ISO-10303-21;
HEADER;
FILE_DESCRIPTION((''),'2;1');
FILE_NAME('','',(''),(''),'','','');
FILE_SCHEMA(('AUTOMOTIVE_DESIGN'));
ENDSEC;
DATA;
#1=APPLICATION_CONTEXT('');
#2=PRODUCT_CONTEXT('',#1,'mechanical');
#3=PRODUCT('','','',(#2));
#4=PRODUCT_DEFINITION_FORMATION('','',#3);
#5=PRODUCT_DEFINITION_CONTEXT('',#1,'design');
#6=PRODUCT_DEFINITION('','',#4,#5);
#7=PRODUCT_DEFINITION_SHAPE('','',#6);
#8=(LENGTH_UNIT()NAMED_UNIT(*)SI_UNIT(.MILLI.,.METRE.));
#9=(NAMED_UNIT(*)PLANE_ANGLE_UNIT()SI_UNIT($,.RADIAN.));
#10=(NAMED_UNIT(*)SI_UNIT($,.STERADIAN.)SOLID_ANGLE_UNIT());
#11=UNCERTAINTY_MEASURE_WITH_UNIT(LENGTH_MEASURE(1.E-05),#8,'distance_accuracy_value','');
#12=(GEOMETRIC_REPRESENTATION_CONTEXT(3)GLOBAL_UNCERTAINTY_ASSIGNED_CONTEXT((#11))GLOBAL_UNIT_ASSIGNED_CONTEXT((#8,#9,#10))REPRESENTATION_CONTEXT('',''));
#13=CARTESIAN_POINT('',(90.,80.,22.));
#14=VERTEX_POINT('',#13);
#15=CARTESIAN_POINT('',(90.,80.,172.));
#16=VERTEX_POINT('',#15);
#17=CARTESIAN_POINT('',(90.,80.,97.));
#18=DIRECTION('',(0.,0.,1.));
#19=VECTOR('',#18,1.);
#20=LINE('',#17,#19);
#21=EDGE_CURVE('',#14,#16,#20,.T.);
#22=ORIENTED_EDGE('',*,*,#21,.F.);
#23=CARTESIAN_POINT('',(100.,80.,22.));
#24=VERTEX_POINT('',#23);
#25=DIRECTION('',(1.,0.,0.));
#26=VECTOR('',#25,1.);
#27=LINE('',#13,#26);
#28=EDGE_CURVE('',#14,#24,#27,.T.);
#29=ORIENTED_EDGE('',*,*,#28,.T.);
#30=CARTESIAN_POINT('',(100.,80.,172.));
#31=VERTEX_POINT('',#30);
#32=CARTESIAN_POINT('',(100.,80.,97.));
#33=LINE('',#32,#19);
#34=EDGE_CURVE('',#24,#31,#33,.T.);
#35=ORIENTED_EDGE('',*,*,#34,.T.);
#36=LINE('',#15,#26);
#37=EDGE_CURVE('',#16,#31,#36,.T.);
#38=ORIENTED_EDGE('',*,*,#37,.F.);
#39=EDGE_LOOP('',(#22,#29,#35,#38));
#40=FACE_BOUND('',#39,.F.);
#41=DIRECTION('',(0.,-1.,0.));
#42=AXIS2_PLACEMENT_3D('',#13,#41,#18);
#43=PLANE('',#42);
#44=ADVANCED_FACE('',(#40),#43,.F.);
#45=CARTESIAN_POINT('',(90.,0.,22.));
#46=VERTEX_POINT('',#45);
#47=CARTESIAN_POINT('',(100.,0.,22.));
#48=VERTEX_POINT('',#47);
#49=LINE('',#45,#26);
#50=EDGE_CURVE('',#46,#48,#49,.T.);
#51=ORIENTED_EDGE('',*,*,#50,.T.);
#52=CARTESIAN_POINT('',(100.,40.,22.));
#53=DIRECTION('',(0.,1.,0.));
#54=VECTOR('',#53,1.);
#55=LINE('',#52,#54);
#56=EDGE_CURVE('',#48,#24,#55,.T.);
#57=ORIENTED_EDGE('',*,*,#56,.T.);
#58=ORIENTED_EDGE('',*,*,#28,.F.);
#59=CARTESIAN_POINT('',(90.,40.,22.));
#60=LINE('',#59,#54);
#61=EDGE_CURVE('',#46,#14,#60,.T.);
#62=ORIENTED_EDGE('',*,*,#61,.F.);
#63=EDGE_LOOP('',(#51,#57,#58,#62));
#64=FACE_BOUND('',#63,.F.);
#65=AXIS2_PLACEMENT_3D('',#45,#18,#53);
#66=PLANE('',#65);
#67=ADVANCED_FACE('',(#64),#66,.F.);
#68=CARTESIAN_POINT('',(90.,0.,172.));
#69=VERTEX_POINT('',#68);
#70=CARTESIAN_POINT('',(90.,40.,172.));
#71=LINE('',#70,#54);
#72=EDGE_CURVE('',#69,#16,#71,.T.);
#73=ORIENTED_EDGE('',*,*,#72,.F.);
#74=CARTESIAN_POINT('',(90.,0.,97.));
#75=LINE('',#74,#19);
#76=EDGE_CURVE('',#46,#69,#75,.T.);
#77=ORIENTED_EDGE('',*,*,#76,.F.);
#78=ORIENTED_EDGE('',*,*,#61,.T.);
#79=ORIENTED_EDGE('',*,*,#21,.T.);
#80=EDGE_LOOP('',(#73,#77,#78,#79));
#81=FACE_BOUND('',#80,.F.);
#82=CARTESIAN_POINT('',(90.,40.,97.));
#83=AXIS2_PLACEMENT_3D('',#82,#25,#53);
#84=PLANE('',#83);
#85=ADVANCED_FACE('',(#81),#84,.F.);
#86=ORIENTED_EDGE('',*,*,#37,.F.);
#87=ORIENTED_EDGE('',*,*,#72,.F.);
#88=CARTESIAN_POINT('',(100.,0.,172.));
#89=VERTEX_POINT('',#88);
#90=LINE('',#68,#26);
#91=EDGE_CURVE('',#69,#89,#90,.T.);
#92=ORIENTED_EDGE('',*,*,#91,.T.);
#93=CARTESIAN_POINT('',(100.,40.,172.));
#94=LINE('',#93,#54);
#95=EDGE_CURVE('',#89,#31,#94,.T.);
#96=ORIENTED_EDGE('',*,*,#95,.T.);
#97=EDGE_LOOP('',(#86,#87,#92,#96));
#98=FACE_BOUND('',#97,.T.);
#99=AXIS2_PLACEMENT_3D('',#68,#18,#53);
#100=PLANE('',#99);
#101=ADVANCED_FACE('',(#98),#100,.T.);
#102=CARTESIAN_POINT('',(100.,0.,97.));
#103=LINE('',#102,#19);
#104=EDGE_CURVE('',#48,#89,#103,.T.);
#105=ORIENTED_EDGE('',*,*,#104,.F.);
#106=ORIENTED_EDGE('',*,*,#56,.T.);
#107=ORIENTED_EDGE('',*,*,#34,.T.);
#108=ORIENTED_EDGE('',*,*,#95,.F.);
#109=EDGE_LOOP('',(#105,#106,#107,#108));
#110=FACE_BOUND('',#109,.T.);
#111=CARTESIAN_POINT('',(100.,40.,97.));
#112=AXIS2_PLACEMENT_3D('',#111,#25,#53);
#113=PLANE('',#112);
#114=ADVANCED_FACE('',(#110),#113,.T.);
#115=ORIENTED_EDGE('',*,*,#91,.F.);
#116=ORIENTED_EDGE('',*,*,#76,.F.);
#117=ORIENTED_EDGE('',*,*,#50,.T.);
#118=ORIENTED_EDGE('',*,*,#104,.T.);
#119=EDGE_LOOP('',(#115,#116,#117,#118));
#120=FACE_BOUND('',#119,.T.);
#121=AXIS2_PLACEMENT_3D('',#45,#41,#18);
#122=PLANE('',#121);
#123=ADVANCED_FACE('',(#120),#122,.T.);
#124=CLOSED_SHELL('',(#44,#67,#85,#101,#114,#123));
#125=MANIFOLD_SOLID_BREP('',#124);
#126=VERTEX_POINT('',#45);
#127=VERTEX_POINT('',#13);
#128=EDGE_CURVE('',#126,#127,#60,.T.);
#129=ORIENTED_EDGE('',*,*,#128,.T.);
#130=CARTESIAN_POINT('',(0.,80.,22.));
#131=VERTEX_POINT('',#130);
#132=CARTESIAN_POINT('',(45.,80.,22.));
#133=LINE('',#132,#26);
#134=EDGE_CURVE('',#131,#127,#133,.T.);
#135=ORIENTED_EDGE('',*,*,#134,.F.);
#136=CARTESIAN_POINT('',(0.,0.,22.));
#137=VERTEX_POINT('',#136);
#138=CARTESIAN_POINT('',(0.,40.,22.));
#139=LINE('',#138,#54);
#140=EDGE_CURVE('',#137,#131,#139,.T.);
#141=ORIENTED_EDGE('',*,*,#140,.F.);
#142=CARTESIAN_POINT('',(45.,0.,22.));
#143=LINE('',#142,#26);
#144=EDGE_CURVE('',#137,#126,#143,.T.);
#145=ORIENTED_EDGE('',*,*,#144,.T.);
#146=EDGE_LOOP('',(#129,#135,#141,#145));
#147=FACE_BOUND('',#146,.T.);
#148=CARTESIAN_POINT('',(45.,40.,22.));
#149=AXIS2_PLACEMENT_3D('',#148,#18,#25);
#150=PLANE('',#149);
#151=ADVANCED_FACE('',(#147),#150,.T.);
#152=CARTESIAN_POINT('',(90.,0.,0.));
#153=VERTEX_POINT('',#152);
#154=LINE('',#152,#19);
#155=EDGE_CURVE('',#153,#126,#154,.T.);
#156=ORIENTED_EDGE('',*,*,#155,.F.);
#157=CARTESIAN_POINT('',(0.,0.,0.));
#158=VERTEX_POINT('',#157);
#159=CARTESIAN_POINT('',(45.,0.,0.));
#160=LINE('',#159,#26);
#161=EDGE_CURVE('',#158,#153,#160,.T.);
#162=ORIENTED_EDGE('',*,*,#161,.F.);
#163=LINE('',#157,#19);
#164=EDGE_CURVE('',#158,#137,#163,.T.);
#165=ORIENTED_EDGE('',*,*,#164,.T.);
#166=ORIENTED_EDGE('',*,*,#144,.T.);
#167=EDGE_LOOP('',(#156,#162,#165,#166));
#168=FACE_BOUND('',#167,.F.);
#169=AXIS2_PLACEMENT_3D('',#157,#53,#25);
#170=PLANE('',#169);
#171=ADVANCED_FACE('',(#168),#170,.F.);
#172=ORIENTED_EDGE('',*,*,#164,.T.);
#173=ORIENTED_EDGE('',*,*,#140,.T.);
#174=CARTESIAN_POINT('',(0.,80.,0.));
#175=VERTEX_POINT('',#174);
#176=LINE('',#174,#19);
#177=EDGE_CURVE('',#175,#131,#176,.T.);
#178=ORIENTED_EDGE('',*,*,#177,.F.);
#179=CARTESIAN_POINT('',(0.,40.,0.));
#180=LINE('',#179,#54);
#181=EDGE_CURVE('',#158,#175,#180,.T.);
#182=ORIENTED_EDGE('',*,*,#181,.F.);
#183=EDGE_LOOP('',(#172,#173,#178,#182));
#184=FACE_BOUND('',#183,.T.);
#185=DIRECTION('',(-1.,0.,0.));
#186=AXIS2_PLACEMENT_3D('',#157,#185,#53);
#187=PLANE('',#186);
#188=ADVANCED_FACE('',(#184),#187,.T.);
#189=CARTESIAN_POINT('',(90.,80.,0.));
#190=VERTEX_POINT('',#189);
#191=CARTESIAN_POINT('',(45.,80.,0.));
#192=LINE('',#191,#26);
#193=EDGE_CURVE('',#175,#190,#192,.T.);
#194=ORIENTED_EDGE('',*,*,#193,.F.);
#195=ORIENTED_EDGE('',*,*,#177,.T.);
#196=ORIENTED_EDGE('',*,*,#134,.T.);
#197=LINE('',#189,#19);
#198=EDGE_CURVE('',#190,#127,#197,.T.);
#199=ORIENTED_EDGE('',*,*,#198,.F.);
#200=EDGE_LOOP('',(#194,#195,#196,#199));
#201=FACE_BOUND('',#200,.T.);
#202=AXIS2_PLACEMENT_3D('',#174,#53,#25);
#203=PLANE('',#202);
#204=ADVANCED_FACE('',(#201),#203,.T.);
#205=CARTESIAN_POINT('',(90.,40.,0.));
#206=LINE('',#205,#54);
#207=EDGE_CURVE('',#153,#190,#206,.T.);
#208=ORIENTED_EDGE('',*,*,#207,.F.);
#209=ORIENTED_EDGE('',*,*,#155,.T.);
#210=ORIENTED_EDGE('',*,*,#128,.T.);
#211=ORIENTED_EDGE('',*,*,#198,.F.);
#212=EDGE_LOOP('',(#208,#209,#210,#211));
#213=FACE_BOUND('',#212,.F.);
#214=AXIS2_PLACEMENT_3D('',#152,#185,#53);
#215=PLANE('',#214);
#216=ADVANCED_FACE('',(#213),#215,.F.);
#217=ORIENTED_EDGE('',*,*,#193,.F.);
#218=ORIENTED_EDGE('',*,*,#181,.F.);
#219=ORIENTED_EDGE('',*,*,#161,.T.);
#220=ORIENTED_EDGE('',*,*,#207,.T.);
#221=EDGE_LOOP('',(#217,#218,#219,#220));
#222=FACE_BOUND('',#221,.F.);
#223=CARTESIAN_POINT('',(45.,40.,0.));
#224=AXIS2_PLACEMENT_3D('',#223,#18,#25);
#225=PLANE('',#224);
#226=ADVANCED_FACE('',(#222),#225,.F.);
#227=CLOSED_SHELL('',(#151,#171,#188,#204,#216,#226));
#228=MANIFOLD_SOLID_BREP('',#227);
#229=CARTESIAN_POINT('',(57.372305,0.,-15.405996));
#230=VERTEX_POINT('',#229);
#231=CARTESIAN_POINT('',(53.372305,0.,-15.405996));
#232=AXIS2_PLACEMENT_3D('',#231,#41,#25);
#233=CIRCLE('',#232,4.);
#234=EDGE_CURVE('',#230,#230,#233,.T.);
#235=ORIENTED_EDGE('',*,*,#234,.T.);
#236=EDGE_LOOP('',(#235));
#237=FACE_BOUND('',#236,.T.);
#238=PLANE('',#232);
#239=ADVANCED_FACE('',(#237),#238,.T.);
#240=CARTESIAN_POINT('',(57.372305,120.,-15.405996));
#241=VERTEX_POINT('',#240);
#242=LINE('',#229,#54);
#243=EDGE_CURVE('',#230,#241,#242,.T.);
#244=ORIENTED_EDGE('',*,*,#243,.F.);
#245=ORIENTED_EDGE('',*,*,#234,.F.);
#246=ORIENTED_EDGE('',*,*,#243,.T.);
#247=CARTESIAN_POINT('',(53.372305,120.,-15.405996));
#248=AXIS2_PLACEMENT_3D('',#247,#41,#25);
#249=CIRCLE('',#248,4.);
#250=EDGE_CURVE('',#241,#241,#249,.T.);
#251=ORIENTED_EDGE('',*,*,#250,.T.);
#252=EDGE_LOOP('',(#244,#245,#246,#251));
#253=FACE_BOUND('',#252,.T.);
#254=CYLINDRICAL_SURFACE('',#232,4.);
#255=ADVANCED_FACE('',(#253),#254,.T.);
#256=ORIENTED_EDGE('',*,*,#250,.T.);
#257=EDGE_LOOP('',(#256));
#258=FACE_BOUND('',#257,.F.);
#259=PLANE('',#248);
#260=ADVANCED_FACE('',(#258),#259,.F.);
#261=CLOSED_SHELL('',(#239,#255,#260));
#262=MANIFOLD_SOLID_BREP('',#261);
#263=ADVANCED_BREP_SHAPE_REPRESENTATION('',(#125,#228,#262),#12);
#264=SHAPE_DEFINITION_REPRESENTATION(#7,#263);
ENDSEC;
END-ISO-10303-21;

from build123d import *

# Parameters (mm, degrees)
F0_W     = 90
F0_H     = 80
F1_DEPTH = 22
F2_R     = 4
F3_DEPTH = 120
F4_W     = 80
F4_H     = 150
F5_DEPTH = 10


with BuildPart() as f1:
    # F0 (on Top) → F1 (new body)
    with BuildSketch(Plane.XY):
        with Locations((45, 40)):
            Rectangle(F0_W, F0_H)
    extrude(amount=F1_DEPTH)


with BuildPart() as f3:
    # F2 (on Front) → F3 (new body)
    with BuildSketch(Plane.XZ):
        with Locations((53.372305, -15.405996)):
            Circle(F2_R)
    extrude(amount=-F3_DEPTH)


with BuildPart() as f5:
    # F4 (on face) → F5 (new body)
    with BuildSketch(Plane.YZ.offset(90)):
        with Locations((40, 97)):
            Rectangle(F4_W, F4_H)
    extrude(amount=F5_DEPTH)


solid = Compound([f1.part, f3.part, f5.part])
